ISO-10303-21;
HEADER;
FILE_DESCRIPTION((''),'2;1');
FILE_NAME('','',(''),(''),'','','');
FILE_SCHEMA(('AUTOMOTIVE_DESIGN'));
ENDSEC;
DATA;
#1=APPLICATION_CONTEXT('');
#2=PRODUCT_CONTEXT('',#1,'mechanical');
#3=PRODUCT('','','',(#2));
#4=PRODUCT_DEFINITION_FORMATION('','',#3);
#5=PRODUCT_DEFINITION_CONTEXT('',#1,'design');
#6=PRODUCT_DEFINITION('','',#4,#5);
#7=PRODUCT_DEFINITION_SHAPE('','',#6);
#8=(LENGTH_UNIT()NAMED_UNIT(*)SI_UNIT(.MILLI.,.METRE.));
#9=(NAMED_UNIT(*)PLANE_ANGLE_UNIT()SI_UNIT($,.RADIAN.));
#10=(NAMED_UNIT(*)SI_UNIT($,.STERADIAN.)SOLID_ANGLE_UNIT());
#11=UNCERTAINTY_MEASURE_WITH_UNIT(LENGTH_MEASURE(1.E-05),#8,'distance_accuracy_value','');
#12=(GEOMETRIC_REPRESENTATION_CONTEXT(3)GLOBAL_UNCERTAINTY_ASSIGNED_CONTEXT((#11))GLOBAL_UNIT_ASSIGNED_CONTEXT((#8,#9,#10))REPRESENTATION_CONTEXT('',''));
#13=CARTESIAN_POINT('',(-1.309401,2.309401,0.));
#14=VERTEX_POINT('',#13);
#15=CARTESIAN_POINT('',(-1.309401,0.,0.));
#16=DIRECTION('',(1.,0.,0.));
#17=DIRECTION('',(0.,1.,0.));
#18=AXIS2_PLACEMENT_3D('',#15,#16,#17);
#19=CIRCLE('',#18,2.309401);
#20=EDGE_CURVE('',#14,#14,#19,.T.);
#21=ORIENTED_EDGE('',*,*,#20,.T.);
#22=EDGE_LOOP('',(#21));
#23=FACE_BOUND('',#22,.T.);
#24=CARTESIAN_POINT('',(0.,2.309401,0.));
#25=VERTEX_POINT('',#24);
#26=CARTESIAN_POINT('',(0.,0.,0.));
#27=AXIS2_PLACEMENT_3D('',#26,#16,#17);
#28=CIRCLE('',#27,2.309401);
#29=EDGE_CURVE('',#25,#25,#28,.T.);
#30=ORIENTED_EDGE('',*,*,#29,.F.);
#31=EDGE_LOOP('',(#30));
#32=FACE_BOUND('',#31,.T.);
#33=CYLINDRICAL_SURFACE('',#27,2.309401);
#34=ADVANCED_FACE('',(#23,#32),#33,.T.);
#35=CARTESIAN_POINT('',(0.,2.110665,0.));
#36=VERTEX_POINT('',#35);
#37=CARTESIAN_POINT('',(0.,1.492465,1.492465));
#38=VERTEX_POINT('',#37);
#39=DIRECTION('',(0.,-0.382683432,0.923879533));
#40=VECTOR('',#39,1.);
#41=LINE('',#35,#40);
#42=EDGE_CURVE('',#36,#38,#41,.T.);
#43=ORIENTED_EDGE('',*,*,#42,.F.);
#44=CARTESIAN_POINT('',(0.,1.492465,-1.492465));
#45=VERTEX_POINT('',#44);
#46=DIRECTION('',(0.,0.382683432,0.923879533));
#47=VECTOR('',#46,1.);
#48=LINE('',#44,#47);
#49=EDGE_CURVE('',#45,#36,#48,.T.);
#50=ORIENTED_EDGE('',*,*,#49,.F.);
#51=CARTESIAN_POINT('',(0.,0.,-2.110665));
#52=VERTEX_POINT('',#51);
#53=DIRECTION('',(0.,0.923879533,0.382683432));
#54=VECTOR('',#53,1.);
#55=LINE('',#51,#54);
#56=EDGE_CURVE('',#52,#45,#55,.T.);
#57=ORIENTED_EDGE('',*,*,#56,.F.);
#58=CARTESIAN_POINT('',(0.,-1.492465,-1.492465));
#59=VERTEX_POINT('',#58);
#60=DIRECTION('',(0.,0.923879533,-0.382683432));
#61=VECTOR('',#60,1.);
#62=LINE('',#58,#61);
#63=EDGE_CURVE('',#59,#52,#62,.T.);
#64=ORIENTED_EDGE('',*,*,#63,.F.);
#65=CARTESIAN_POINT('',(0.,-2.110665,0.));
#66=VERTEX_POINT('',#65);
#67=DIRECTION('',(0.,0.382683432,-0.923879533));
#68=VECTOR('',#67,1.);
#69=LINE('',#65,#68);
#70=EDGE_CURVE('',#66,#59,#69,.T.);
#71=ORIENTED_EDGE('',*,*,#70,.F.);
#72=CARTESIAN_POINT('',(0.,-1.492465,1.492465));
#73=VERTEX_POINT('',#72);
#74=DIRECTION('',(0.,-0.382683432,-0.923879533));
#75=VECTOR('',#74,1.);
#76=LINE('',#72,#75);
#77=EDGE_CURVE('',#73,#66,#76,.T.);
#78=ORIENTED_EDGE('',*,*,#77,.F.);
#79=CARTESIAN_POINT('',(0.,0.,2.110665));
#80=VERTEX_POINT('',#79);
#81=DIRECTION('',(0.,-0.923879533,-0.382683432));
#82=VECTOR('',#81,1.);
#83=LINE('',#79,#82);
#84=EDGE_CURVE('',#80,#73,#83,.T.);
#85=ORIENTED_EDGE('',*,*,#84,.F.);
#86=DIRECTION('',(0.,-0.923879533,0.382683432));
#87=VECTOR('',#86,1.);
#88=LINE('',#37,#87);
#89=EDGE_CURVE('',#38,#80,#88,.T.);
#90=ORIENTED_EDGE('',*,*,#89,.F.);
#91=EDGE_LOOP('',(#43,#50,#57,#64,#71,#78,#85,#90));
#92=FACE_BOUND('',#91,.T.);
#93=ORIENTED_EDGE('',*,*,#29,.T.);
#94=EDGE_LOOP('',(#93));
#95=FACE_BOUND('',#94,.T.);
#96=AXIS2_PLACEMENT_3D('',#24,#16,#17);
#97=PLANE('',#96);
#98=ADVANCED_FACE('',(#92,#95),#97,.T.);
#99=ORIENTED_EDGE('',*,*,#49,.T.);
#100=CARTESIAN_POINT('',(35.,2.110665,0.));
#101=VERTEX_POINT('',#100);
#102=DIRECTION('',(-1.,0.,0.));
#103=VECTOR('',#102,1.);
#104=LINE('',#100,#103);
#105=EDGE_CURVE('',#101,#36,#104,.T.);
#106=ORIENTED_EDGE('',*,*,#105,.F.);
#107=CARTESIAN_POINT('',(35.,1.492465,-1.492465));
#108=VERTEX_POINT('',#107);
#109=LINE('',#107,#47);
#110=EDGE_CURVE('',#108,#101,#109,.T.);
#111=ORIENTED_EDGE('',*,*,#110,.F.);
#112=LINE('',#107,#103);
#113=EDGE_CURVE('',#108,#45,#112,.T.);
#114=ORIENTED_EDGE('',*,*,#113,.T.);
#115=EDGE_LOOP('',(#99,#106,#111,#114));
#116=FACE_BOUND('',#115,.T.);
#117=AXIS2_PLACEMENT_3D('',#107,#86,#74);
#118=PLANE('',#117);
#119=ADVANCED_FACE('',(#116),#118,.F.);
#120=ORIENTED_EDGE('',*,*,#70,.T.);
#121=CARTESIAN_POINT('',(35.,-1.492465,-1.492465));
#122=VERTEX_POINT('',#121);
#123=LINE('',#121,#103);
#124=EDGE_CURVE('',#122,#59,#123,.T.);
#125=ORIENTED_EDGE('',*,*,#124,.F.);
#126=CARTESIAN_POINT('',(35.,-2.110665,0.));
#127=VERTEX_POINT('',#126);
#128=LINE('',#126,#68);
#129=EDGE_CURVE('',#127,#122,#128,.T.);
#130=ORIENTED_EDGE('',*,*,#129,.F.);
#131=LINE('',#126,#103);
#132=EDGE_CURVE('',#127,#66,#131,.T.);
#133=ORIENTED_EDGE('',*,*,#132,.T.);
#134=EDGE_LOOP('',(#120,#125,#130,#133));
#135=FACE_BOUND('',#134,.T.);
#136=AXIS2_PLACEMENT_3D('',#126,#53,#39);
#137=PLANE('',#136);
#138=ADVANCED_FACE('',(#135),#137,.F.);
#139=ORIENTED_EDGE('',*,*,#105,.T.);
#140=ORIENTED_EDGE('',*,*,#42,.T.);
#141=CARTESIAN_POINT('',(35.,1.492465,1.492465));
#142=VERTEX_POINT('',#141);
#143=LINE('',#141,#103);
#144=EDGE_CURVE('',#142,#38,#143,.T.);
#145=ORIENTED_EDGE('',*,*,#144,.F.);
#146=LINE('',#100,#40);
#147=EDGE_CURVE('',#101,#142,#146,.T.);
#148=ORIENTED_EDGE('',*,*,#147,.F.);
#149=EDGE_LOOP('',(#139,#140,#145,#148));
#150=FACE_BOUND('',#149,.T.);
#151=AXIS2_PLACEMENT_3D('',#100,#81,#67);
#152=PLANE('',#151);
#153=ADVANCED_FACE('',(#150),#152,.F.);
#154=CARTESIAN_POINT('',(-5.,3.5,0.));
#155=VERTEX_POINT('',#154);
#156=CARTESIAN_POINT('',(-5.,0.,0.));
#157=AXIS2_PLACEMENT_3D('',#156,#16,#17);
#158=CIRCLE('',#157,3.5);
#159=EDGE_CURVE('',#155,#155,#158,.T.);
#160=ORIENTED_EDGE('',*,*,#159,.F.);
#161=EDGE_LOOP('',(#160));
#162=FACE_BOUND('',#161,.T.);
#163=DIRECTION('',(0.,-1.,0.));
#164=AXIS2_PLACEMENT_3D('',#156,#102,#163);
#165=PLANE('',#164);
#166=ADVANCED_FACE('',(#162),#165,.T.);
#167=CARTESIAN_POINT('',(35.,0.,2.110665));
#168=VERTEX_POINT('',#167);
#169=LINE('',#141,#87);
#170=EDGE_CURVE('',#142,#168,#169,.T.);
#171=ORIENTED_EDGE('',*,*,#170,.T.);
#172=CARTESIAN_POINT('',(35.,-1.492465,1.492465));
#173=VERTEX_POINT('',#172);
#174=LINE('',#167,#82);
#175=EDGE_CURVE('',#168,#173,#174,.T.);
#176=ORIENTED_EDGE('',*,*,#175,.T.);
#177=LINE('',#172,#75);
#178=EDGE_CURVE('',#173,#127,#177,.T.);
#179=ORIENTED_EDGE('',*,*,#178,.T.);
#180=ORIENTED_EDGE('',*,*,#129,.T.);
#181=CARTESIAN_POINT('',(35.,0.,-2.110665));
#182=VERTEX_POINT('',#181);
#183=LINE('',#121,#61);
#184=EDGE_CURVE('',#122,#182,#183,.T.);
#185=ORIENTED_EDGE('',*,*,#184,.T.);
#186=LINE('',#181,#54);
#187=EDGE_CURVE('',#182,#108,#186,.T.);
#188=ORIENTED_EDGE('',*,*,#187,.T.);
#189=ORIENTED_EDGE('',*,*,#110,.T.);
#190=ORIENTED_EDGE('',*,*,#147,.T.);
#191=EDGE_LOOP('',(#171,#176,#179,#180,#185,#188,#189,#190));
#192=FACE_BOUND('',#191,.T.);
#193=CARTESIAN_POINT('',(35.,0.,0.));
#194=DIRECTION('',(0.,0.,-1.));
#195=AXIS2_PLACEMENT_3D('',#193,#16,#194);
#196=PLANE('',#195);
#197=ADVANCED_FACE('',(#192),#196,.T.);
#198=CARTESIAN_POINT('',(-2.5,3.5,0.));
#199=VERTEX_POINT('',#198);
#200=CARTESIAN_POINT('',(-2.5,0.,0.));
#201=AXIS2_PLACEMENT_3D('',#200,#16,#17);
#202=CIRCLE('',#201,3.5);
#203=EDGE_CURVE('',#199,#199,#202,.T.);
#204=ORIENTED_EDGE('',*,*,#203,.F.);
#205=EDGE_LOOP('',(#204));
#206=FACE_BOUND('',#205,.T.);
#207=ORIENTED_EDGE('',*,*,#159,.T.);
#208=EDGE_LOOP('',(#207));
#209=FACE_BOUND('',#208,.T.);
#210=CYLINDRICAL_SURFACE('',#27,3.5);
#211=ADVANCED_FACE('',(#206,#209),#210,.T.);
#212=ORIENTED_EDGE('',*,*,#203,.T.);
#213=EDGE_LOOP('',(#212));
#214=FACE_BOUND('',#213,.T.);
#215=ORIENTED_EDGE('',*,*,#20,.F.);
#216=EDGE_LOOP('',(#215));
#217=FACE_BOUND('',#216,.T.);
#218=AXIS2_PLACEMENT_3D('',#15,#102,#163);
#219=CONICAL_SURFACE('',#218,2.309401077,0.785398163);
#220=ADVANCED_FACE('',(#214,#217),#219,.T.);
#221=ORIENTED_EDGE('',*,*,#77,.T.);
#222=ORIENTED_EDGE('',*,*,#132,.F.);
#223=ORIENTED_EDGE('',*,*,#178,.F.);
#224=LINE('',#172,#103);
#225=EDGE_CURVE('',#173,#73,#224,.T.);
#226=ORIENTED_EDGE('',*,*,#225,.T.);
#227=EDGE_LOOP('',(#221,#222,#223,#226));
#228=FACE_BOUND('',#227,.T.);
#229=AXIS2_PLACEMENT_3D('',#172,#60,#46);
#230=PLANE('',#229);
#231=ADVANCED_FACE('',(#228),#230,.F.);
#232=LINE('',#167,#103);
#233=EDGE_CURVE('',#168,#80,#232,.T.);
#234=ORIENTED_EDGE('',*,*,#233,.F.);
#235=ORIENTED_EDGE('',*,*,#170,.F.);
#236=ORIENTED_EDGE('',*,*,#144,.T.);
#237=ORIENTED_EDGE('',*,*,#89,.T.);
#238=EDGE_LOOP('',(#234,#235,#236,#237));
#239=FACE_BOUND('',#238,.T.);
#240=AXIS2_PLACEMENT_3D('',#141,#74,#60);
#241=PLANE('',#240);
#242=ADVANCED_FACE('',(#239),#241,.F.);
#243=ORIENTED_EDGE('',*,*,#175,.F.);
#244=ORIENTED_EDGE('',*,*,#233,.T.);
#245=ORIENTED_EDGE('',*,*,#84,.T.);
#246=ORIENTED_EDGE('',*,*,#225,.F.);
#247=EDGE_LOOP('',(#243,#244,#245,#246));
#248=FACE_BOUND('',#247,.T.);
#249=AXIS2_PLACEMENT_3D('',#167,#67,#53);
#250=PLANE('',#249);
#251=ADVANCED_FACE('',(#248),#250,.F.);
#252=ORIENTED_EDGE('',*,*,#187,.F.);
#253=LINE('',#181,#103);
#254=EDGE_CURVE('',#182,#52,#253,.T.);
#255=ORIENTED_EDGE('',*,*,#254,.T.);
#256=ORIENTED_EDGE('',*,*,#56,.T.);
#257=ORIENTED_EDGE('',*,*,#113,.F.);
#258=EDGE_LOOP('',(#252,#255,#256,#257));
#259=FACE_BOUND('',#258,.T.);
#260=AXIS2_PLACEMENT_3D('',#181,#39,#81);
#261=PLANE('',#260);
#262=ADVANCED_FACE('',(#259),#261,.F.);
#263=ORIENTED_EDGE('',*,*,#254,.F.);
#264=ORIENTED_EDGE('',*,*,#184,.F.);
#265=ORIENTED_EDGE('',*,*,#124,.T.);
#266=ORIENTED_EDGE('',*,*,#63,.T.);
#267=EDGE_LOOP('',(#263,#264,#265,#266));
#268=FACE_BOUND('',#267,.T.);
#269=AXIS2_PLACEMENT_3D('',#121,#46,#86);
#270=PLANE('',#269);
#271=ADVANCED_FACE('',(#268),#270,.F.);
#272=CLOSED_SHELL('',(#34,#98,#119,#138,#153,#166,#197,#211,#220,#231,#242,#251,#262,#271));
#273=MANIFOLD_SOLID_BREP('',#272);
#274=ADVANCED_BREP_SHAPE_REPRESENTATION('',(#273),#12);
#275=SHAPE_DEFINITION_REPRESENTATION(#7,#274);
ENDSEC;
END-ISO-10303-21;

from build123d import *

# Parameters (mm, degrees)
BOSS_EXTRUDE1_DEPTH = 35


with BuildPart() as part:
    # Sketch1 → Boss-Extrude1 (new body)
    with BuildSketch(Plane(origin=(0, 0, 0), x_dir=(0, 0, -1), z_dir=(1, 0, 0))):
        Polygon((-2.110664791, 0), (-1.492465386, -1.492465386), (0, -2.110664791), (1.492465386, -1.492465386), (2.110664791, 0), (1.492465386, 1.492465386), (0, 2.110664791), (-1.492465386, 1.492465386), align=None)
    extrude(amount=BOSS_EXTRUDE1_DEPTH)

    # Sketch4 → Revolve1 (revolve)
    with BuildSketch(Plane.XY):
        Polygon((0, 0), (-5, 0), (-5, 3.5), (-2.5, 3.5), (-1.309401077, 2.309401077), (0, 2.309401077), align=None)
    revolve(axis=Axis((0, 0, 0), (-1, 0, 0)))


solid = part.part
